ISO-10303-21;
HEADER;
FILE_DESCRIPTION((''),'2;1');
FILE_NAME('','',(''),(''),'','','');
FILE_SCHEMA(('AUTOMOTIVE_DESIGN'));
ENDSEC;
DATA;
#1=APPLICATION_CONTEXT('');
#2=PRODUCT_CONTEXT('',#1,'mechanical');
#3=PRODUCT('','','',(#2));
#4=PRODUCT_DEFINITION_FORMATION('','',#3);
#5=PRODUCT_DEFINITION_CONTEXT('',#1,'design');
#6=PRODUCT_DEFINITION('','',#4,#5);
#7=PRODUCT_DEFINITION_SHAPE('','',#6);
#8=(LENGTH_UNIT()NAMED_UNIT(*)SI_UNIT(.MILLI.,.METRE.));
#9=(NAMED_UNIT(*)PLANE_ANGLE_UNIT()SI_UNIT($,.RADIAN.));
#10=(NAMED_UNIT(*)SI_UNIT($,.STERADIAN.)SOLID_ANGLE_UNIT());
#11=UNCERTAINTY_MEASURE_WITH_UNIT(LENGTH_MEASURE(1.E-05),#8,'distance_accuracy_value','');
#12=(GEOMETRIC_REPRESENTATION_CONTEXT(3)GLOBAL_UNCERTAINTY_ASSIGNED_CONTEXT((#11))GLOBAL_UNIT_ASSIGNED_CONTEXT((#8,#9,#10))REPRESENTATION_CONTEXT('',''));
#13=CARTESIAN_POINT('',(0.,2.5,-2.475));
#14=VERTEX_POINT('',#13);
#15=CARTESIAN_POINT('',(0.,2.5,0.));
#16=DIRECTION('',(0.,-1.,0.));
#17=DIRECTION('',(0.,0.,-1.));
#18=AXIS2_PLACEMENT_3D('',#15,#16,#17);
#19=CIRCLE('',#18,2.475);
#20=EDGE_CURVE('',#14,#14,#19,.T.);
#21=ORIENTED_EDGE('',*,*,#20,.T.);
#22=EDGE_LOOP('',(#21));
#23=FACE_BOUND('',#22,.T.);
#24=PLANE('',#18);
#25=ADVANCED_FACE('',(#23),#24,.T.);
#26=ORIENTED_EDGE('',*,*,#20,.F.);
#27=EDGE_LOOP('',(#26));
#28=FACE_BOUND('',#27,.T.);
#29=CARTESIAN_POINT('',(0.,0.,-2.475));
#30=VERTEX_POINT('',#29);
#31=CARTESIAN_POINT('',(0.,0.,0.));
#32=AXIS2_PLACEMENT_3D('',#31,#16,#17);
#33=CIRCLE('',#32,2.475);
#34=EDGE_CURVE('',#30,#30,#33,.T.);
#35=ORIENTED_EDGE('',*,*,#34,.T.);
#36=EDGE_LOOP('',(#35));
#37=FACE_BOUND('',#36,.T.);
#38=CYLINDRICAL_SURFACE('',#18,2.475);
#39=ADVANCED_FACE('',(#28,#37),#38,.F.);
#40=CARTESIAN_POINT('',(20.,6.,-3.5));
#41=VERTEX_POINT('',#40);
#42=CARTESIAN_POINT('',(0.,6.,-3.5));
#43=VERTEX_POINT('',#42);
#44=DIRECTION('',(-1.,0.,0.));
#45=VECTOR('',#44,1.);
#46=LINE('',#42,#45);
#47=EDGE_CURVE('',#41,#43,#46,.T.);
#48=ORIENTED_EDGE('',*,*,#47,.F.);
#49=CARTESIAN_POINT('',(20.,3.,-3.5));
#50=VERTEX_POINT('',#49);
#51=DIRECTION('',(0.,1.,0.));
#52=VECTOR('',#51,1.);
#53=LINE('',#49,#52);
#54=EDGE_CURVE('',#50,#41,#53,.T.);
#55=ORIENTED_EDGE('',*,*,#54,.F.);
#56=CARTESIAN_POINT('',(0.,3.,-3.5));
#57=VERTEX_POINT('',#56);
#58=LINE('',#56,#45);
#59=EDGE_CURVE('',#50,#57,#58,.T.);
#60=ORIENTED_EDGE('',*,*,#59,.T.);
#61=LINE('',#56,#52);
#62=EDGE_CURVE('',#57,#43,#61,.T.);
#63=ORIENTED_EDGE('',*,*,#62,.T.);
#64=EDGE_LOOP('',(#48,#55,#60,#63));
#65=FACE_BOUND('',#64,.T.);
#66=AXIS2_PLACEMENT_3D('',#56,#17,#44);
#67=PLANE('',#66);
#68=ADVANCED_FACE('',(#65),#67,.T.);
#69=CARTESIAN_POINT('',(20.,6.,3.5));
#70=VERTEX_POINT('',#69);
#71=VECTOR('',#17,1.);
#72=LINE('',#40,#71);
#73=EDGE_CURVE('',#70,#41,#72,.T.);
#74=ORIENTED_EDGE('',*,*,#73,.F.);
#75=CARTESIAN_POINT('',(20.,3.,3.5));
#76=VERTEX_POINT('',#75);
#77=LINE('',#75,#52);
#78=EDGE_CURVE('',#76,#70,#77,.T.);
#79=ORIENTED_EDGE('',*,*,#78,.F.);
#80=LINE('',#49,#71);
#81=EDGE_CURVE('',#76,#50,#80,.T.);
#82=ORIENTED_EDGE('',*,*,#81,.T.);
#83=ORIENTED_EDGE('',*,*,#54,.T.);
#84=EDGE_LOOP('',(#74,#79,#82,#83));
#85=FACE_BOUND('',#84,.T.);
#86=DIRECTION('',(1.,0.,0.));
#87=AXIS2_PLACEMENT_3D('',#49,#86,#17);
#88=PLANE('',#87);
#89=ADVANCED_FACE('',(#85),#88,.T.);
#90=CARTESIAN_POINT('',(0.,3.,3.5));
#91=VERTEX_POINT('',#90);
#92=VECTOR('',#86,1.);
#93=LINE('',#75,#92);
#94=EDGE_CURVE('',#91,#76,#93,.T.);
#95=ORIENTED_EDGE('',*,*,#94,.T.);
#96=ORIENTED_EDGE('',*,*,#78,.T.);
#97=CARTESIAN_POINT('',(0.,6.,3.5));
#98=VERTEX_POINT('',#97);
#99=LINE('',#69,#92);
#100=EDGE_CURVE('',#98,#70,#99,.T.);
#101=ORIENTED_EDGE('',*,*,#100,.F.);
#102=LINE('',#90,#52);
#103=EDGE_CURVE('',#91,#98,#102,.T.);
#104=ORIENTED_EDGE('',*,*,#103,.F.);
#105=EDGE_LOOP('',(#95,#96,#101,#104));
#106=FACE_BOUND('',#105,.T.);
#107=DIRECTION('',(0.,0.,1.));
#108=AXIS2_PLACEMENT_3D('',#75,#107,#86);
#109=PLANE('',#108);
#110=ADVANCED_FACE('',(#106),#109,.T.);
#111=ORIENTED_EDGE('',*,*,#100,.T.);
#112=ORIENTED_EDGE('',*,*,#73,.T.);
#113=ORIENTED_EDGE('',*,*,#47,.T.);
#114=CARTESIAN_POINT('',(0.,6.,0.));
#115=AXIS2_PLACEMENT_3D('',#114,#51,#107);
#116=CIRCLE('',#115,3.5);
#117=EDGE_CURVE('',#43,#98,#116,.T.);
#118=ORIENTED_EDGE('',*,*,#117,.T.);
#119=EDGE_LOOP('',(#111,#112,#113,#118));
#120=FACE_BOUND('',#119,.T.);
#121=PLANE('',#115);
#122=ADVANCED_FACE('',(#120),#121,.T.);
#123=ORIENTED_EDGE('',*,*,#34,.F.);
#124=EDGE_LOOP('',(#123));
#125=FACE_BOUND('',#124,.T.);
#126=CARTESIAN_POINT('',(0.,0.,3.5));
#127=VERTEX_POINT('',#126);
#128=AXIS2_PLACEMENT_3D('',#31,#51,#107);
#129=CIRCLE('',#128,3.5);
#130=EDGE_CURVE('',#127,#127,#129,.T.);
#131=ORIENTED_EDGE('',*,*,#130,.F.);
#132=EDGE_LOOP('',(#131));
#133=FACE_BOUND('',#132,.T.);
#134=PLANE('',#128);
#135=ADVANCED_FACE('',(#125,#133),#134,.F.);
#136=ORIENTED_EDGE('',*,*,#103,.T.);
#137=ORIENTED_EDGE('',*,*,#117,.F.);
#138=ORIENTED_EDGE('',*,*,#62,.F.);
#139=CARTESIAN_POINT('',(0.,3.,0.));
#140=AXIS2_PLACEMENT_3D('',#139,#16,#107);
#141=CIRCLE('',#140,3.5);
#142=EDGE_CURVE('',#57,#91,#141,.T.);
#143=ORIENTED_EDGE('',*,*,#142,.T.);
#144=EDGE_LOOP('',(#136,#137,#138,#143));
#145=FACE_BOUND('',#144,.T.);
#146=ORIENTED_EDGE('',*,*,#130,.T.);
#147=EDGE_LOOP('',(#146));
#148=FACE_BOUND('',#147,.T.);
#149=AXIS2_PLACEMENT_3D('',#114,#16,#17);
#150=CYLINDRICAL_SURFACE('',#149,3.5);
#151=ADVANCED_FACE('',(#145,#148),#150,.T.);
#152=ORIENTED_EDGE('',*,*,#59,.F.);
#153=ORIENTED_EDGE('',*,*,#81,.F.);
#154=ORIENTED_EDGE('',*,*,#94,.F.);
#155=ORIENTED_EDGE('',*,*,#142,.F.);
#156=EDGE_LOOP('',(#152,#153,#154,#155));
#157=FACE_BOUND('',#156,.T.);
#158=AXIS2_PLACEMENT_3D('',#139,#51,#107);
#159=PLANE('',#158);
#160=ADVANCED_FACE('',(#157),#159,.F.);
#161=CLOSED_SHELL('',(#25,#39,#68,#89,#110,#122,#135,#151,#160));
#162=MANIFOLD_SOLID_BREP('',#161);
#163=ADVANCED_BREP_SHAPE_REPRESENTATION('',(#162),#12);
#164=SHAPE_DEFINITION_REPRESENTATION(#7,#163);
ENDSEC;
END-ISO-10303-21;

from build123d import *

# Parameters (mm, degrees)
SKETCH2_R           = 3.5
BOSS_EXTRUDE1_DEPTH = 6
SKETCH3_R           = 2.475
CUT_EXTRUDE1_DEPTH  = 2.5
BOSS_EXTRUDE2_DEPTH = 3


with BuildPart() as part:
    # Sketch2 → Boss-Extrude1 (new body)
    with BuildSketch(Plane(origin=(0, 0, 0), x_dir=(1, 0, 0), z_dir=(0, 1, 0))):
        Circle(SKETCH2_R)
    extrude(amount=BOSS_EXTRUDE1_DEPTH)

    # Sketch3 → Cut-Extrude1 (cut)
    with BuildSketch(Plane.XZ):
        Circle(SKETCH3_R)
    extrude(amount=-CUT_EXTRUDE1_DEPTH, mode=Mode.SUBTRACT)

    # Sketch4 → Boss-Extrude2 (add)
    with BuildSketch(Plane(origin=(0, 6, 0), x_dir=(1, 0, 0), z_dir=(0, 1, 0))):
        with BuildLine():
            Line((0, 3.5), (20, 3.5))
            Line((20, 3.5), (20, -3.5))
            Line((20, -3.5), (0, -3.5))
            ThreePointArc((0, -3.5), (3.5, 0), (0, 3.5))
        make_face()
    extrude(amount=-BOSS_EXTRUDE2_DEPTH)


solid = part.part
